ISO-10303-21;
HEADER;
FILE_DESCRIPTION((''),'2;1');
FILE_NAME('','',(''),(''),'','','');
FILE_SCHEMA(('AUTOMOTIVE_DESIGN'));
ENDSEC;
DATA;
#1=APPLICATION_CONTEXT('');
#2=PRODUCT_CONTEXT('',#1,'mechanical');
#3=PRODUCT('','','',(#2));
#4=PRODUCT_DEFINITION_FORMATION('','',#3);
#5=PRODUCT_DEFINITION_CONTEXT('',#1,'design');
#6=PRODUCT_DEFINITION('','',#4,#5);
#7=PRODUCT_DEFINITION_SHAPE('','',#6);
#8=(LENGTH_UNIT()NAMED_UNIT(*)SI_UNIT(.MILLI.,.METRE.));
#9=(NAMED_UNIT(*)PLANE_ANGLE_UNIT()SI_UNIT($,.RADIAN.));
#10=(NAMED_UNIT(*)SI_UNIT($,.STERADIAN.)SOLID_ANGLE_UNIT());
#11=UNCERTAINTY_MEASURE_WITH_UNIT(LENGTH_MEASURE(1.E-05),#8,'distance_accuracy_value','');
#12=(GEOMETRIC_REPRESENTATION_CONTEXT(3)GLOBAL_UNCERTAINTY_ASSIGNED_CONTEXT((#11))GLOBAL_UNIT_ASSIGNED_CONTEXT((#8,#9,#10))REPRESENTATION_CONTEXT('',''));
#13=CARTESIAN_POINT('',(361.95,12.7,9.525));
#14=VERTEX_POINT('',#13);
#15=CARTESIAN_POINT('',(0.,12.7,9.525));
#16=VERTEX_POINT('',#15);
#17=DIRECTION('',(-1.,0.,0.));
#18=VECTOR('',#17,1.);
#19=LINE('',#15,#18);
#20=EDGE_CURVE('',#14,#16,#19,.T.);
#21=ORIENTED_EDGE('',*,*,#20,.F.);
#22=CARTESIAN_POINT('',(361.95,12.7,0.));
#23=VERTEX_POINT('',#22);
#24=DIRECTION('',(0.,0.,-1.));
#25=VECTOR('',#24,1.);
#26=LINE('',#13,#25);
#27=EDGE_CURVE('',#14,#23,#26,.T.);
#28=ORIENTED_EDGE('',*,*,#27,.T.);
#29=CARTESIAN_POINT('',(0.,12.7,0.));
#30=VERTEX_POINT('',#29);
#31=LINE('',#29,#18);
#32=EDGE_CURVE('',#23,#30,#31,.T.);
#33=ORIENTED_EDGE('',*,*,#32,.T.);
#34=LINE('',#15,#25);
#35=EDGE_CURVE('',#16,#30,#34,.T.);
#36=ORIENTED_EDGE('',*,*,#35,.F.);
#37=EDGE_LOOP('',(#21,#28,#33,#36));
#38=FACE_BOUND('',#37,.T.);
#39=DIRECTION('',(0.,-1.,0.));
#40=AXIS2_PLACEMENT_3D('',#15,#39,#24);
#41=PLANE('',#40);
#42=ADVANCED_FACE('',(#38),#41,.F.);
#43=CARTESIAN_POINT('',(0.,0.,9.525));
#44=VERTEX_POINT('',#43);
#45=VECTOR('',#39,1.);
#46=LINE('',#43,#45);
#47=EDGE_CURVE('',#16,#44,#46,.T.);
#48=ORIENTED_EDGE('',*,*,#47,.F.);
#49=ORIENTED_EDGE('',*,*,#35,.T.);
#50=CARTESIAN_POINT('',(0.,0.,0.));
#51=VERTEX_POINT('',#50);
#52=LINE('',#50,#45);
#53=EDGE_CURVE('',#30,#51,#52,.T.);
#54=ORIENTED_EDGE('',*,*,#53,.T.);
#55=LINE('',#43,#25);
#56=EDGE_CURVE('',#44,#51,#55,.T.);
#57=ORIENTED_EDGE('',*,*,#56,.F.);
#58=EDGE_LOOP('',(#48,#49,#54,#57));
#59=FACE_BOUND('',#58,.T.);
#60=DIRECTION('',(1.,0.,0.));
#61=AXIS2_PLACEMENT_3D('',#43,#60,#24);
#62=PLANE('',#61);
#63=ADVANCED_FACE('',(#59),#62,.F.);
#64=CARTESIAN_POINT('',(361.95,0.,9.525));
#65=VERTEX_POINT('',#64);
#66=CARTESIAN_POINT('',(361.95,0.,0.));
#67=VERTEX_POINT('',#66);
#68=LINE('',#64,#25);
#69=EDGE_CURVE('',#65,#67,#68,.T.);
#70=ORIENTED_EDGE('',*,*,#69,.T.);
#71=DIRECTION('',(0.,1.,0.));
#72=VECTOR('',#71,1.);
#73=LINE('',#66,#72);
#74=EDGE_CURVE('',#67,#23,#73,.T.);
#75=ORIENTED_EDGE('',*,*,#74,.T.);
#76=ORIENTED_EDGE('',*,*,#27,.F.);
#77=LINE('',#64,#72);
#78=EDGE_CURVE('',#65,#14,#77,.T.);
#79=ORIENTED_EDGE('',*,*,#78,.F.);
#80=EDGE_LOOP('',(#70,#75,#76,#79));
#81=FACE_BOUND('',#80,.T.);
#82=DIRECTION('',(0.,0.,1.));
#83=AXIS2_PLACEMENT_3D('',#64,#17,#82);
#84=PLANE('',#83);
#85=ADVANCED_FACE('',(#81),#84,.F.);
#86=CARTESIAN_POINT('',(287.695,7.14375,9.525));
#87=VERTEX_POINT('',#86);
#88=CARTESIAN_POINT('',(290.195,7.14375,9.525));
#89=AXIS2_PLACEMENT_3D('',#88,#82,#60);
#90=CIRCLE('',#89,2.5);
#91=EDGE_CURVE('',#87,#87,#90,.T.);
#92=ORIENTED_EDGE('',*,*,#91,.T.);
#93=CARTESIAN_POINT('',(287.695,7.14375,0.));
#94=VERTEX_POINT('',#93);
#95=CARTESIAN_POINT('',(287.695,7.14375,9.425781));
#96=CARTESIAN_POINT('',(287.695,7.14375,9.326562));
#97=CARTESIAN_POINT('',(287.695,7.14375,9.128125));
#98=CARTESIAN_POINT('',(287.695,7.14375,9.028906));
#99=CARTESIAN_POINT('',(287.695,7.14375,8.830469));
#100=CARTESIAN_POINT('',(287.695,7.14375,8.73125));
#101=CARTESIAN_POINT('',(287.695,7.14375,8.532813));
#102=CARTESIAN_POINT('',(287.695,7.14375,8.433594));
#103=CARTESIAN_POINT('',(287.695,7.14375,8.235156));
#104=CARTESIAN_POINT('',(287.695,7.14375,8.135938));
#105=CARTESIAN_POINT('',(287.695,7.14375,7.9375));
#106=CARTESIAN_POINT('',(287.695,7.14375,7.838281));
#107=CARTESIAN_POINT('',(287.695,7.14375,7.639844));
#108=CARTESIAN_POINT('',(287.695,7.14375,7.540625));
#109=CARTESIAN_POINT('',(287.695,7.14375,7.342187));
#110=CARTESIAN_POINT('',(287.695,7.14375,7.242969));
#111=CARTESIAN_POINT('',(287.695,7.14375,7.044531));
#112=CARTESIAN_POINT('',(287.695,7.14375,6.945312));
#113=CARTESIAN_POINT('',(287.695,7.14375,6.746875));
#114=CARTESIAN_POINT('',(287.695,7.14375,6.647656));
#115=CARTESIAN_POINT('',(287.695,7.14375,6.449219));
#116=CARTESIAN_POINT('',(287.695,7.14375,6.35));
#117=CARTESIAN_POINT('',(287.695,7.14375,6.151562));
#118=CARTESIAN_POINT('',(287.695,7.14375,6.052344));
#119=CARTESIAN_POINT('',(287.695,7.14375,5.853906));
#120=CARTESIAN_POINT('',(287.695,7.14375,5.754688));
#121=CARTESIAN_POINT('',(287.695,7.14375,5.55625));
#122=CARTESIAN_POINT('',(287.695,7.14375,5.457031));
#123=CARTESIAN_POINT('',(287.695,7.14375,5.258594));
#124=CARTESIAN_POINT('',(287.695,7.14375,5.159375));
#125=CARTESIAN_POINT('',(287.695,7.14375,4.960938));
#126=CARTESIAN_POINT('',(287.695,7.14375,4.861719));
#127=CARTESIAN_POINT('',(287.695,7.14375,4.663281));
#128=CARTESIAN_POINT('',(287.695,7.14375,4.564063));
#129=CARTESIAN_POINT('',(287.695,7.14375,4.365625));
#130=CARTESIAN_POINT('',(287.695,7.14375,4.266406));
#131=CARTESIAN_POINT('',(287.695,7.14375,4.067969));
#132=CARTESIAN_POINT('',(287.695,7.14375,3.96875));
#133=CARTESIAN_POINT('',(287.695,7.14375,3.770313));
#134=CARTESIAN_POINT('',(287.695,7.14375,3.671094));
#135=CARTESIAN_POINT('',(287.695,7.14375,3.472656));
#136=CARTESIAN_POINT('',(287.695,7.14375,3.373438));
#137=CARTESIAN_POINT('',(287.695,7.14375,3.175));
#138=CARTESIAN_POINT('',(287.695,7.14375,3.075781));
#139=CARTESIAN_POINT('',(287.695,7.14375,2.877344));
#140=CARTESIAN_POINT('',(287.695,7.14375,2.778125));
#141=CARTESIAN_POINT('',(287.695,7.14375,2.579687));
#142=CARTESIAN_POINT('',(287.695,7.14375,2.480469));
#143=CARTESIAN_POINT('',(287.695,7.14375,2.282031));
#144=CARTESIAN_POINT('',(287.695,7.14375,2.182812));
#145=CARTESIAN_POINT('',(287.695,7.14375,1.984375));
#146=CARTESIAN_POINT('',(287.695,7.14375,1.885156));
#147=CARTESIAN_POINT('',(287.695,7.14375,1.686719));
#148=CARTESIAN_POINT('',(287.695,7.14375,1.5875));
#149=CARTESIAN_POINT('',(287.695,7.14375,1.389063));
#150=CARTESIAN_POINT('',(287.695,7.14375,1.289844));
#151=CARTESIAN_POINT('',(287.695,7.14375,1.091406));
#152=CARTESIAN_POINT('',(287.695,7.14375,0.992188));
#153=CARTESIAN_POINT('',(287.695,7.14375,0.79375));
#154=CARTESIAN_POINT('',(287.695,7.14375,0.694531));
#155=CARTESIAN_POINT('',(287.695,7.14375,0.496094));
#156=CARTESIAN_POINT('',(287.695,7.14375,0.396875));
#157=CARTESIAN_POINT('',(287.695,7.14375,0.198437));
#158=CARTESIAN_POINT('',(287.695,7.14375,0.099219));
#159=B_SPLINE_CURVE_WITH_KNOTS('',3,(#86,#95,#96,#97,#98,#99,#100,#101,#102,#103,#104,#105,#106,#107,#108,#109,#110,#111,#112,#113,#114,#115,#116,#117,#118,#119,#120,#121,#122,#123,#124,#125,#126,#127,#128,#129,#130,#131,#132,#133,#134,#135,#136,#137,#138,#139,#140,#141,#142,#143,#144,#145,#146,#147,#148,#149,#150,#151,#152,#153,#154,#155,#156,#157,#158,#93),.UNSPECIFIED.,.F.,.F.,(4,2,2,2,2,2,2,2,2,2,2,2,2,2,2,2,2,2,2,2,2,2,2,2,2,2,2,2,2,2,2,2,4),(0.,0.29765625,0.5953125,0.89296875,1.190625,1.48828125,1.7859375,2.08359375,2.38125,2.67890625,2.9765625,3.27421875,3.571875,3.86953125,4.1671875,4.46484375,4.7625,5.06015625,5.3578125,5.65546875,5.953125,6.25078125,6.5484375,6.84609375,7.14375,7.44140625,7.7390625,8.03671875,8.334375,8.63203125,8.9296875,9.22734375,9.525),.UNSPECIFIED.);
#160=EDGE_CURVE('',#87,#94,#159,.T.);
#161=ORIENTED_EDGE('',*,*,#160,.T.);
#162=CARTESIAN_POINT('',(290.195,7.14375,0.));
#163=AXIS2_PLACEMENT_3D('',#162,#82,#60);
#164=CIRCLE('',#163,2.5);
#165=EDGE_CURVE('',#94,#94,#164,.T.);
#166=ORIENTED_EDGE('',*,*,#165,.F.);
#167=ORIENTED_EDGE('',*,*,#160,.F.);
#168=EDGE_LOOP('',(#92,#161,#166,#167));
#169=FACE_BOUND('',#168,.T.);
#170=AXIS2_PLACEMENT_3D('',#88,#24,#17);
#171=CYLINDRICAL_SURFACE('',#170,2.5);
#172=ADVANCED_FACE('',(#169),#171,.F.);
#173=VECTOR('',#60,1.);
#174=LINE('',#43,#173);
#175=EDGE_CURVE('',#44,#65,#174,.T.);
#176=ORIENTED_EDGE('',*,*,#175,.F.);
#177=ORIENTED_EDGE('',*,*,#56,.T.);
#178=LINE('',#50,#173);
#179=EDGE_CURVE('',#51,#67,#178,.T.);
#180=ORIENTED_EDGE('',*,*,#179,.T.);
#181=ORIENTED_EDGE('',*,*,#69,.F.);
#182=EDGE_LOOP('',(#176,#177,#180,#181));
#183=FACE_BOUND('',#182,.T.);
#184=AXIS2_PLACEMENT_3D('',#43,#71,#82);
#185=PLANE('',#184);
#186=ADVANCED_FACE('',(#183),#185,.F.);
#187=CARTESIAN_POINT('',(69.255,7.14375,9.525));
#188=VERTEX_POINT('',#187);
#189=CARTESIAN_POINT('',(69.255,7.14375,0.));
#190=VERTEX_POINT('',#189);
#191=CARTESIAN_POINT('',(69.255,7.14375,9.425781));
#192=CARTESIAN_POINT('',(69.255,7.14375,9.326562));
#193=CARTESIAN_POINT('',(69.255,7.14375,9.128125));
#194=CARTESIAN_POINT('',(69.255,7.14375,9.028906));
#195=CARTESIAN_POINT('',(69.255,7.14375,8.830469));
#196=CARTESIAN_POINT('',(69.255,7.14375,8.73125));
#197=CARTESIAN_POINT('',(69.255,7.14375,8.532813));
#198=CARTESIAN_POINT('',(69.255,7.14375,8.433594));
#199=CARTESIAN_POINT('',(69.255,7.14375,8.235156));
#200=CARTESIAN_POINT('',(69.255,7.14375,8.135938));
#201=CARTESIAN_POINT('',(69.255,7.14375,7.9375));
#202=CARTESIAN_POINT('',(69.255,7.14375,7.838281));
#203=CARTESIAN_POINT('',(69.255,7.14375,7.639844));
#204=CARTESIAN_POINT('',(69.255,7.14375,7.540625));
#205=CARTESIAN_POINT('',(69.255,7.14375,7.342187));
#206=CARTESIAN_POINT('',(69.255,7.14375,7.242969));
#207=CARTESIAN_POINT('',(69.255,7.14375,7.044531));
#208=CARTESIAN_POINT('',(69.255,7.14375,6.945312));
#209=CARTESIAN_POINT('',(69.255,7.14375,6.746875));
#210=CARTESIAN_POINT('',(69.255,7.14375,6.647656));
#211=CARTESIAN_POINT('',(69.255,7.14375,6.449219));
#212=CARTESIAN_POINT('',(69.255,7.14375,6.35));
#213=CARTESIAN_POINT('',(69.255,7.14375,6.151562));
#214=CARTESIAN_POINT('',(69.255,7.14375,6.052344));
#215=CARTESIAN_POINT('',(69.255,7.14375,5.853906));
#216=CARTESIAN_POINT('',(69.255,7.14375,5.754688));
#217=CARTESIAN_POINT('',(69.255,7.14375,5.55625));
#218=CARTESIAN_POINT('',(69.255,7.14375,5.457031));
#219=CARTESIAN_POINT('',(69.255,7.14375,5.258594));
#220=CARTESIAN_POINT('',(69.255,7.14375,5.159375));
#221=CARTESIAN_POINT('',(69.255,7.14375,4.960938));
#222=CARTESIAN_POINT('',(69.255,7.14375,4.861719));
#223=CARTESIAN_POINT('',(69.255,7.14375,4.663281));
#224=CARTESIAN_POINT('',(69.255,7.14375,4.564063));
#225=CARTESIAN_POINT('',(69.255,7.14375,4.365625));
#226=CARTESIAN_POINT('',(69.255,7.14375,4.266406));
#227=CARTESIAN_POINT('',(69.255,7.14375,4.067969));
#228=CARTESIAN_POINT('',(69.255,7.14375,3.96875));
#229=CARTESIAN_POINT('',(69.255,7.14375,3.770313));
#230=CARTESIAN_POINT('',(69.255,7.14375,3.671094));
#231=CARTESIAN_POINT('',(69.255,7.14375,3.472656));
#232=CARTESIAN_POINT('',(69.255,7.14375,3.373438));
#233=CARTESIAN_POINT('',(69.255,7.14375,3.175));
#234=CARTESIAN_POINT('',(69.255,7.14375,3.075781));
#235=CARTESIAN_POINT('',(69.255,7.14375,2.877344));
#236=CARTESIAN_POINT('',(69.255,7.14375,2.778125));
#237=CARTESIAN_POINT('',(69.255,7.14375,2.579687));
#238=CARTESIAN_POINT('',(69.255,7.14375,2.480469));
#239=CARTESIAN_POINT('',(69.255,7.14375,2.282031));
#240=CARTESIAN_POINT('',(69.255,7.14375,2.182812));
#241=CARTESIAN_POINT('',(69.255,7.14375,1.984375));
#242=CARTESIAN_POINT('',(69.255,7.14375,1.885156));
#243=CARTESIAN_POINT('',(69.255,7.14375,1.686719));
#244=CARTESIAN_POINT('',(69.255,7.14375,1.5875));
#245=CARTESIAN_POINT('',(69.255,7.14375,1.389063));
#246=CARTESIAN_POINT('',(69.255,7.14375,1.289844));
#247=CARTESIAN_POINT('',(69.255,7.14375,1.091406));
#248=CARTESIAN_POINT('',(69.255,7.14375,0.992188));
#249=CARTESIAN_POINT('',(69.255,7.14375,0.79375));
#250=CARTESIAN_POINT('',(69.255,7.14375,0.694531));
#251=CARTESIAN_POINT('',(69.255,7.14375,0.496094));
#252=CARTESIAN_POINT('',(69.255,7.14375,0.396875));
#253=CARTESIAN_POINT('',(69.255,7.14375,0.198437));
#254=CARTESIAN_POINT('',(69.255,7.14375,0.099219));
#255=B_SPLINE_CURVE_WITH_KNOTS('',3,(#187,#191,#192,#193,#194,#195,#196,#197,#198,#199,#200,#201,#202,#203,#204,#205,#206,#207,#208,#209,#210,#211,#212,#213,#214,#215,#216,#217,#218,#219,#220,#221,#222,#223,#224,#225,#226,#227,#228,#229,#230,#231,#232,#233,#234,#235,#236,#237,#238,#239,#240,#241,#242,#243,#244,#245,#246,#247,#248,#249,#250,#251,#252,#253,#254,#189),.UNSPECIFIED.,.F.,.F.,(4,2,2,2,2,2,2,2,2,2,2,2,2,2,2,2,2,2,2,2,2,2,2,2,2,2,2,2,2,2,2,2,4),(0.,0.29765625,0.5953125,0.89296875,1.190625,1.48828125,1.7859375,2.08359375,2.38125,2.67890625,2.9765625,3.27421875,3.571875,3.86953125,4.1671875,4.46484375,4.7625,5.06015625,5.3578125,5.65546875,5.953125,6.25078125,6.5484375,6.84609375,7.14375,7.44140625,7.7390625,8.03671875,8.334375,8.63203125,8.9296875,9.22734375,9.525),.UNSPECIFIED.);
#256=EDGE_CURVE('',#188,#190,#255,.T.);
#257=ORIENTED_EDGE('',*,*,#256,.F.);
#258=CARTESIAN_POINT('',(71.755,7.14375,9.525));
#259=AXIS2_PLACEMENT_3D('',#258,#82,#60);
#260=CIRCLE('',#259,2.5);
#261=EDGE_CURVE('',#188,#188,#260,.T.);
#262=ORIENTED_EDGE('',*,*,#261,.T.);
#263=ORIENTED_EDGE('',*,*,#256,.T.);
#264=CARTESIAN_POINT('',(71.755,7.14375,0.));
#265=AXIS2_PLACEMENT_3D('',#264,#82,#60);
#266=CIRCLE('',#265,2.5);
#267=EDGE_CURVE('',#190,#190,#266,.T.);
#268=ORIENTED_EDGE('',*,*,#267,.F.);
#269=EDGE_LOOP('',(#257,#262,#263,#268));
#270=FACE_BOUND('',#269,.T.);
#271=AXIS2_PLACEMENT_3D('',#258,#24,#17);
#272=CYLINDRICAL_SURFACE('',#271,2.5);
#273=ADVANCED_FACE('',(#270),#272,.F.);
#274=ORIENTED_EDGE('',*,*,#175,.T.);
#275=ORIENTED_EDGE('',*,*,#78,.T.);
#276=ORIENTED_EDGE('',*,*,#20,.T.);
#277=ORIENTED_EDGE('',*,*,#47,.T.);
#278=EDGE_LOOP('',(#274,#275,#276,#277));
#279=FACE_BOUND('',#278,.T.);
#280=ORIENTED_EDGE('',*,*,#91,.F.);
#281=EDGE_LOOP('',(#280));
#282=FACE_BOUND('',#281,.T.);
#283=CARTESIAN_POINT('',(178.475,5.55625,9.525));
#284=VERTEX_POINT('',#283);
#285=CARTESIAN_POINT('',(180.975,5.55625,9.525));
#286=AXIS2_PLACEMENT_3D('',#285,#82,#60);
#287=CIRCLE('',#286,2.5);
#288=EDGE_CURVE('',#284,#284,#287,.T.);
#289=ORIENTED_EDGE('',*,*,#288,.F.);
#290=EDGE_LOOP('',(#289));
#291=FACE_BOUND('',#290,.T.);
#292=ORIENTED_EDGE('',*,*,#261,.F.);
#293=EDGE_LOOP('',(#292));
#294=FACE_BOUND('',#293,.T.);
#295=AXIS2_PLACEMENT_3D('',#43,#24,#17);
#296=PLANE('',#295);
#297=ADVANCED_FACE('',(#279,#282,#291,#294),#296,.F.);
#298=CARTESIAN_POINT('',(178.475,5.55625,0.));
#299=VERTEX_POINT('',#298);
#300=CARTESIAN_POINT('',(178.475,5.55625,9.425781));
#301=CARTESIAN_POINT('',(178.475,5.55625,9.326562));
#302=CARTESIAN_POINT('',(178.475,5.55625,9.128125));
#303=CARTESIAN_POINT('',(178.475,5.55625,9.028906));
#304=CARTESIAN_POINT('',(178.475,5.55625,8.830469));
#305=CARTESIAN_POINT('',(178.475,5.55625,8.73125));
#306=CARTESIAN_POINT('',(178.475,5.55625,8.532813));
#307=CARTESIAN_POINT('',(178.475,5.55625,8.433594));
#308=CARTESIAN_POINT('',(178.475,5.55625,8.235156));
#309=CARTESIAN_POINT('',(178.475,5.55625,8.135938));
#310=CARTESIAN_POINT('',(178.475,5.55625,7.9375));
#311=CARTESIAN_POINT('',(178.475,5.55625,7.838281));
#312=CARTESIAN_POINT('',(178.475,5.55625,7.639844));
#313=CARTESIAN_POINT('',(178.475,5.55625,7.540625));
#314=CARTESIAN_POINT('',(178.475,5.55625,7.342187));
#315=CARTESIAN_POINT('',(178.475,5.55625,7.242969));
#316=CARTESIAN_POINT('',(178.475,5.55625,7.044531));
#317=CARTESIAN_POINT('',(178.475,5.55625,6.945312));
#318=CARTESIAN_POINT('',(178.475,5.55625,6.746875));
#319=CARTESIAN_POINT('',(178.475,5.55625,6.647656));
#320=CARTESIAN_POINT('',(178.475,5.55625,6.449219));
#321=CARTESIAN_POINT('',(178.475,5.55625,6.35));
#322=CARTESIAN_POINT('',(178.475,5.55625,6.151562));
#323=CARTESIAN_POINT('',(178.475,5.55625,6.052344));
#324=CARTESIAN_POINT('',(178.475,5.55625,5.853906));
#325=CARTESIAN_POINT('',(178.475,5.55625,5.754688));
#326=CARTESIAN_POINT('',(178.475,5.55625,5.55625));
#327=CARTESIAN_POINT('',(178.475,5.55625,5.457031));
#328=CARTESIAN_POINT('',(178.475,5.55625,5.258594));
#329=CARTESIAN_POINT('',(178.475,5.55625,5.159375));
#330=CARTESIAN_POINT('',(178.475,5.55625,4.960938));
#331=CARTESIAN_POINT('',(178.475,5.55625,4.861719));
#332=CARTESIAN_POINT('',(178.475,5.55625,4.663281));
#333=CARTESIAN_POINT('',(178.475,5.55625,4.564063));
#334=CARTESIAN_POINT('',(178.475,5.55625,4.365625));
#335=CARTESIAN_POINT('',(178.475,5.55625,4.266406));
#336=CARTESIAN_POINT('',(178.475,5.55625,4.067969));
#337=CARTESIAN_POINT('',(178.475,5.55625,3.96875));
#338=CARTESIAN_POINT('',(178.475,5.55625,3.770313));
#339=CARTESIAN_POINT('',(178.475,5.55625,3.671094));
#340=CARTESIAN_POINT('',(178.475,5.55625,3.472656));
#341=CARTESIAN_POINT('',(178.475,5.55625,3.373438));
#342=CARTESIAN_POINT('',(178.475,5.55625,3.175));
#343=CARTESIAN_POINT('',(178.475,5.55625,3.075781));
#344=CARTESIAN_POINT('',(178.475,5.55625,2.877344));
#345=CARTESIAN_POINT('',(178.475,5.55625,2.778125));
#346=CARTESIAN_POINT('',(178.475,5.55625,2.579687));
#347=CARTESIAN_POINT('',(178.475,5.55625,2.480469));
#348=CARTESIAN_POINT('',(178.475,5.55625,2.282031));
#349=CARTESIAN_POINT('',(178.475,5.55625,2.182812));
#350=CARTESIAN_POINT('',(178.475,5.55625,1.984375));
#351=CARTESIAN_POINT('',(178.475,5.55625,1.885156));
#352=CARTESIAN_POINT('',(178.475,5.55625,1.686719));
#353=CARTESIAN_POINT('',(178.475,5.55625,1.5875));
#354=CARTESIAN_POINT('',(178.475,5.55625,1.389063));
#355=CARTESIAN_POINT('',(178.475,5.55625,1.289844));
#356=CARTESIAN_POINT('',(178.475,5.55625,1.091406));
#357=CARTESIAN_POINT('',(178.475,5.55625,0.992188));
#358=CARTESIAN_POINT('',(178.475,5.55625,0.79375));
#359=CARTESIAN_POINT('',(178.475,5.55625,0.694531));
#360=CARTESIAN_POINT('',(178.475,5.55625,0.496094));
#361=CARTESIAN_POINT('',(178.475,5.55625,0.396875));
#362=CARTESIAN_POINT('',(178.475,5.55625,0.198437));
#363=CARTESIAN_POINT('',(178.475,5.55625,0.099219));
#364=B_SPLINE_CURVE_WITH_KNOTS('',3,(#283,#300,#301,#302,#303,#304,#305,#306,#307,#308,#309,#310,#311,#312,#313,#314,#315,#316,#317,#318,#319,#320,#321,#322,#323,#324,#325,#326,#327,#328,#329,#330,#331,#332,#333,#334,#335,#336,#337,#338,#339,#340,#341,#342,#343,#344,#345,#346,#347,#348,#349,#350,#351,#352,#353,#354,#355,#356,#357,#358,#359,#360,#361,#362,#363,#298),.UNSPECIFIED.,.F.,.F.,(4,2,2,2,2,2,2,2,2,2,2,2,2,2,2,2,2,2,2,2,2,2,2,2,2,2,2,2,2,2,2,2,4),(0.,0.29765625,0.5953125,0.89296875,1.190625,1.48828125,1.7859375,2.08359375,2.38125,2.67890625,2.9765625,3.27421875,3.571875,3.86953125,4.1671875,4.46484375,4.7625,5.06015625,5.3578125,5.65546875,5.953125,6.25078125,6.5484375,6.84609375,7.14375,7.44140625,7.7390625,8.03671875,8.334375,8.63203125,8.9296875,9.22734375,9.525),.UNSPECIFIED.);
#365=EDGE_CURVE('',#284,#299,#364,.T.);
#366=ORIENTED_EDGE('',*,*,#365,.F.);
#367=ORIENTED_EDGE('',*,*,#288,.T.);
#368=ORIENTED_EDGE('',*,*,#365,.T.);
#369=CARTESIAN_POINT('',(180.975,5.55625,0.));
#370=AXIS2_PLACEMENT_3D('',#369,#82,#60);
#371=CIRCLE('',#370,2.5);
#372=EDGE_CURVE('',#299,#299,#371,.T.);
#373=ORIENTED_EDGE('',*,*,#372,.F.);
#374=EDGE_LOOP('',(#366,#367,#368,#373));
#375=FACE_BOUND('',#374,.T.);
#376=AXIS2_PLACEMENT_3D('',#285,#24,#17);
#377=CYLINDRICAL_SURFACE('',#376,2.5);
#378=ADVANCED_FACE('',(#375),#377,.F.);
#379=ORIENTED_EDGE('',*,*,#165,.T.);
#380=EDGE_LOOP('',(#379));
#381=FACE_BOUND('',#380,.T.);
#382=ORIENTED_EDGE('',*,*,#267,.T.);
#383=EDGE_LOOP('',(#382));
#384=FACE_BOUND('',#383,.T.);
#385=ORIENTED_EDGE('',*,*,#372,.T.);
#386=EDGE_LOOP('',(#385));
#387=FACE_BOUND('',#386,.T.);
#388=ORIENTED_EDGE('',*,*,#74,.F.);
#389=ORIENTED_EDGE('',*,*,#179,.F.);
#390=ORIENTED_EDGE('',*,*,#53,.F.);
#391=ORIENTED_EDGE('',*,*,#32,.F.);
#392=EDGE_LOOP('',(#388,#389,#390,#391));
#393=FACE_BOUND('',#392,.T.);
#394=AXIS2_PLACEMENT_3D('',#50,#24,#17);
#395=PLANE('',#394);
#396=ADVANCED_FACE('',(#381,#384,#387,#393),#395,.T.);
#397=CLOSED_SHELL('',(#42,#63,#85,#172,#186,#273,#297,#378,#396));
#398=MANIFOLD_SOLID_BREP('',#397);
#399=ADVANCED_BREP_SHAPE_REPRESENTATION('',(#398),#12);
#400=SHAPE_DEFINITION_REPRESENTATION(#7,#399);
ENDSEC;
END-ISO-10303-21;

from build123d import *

# Parameters (mm, degrees)
SKETCH1_W           = 361.95
SKETCH1_H           = 12.7
SKETCH1_R           = 2.5
BOSS_EXTRUDE1_DEPTH = 9.525


with BuildPart() as part:
    # Sketch1 → Boss-Extrude1 (new body)
    with BuildSketch(Plane.XY):
        with Locations((180.975, 6.35)):
            Rectangle(SKETCH1_W, SKETCH1_H)
        with Locations(Location((180.975, 5.55625, 0), (0, 0, 180))):
            Circle(SKETCH1_R, mode=Mode.SUBTRACT)
        with Locations(Location((71.755, 7.14375, 0), (0, 0, 180))):
            Circle(SKETCH1_R, mode=Mode.SUBTRACT)
        with Locations(Location((290.195, 7.14375, 0), (0, 0, 180))):
            Circle(SKETCH1_R, mode=Mode.SUBTRACT)
    extrude(amount=BOSS_EXTRUDE1_DEPTH)


solid = part.part
